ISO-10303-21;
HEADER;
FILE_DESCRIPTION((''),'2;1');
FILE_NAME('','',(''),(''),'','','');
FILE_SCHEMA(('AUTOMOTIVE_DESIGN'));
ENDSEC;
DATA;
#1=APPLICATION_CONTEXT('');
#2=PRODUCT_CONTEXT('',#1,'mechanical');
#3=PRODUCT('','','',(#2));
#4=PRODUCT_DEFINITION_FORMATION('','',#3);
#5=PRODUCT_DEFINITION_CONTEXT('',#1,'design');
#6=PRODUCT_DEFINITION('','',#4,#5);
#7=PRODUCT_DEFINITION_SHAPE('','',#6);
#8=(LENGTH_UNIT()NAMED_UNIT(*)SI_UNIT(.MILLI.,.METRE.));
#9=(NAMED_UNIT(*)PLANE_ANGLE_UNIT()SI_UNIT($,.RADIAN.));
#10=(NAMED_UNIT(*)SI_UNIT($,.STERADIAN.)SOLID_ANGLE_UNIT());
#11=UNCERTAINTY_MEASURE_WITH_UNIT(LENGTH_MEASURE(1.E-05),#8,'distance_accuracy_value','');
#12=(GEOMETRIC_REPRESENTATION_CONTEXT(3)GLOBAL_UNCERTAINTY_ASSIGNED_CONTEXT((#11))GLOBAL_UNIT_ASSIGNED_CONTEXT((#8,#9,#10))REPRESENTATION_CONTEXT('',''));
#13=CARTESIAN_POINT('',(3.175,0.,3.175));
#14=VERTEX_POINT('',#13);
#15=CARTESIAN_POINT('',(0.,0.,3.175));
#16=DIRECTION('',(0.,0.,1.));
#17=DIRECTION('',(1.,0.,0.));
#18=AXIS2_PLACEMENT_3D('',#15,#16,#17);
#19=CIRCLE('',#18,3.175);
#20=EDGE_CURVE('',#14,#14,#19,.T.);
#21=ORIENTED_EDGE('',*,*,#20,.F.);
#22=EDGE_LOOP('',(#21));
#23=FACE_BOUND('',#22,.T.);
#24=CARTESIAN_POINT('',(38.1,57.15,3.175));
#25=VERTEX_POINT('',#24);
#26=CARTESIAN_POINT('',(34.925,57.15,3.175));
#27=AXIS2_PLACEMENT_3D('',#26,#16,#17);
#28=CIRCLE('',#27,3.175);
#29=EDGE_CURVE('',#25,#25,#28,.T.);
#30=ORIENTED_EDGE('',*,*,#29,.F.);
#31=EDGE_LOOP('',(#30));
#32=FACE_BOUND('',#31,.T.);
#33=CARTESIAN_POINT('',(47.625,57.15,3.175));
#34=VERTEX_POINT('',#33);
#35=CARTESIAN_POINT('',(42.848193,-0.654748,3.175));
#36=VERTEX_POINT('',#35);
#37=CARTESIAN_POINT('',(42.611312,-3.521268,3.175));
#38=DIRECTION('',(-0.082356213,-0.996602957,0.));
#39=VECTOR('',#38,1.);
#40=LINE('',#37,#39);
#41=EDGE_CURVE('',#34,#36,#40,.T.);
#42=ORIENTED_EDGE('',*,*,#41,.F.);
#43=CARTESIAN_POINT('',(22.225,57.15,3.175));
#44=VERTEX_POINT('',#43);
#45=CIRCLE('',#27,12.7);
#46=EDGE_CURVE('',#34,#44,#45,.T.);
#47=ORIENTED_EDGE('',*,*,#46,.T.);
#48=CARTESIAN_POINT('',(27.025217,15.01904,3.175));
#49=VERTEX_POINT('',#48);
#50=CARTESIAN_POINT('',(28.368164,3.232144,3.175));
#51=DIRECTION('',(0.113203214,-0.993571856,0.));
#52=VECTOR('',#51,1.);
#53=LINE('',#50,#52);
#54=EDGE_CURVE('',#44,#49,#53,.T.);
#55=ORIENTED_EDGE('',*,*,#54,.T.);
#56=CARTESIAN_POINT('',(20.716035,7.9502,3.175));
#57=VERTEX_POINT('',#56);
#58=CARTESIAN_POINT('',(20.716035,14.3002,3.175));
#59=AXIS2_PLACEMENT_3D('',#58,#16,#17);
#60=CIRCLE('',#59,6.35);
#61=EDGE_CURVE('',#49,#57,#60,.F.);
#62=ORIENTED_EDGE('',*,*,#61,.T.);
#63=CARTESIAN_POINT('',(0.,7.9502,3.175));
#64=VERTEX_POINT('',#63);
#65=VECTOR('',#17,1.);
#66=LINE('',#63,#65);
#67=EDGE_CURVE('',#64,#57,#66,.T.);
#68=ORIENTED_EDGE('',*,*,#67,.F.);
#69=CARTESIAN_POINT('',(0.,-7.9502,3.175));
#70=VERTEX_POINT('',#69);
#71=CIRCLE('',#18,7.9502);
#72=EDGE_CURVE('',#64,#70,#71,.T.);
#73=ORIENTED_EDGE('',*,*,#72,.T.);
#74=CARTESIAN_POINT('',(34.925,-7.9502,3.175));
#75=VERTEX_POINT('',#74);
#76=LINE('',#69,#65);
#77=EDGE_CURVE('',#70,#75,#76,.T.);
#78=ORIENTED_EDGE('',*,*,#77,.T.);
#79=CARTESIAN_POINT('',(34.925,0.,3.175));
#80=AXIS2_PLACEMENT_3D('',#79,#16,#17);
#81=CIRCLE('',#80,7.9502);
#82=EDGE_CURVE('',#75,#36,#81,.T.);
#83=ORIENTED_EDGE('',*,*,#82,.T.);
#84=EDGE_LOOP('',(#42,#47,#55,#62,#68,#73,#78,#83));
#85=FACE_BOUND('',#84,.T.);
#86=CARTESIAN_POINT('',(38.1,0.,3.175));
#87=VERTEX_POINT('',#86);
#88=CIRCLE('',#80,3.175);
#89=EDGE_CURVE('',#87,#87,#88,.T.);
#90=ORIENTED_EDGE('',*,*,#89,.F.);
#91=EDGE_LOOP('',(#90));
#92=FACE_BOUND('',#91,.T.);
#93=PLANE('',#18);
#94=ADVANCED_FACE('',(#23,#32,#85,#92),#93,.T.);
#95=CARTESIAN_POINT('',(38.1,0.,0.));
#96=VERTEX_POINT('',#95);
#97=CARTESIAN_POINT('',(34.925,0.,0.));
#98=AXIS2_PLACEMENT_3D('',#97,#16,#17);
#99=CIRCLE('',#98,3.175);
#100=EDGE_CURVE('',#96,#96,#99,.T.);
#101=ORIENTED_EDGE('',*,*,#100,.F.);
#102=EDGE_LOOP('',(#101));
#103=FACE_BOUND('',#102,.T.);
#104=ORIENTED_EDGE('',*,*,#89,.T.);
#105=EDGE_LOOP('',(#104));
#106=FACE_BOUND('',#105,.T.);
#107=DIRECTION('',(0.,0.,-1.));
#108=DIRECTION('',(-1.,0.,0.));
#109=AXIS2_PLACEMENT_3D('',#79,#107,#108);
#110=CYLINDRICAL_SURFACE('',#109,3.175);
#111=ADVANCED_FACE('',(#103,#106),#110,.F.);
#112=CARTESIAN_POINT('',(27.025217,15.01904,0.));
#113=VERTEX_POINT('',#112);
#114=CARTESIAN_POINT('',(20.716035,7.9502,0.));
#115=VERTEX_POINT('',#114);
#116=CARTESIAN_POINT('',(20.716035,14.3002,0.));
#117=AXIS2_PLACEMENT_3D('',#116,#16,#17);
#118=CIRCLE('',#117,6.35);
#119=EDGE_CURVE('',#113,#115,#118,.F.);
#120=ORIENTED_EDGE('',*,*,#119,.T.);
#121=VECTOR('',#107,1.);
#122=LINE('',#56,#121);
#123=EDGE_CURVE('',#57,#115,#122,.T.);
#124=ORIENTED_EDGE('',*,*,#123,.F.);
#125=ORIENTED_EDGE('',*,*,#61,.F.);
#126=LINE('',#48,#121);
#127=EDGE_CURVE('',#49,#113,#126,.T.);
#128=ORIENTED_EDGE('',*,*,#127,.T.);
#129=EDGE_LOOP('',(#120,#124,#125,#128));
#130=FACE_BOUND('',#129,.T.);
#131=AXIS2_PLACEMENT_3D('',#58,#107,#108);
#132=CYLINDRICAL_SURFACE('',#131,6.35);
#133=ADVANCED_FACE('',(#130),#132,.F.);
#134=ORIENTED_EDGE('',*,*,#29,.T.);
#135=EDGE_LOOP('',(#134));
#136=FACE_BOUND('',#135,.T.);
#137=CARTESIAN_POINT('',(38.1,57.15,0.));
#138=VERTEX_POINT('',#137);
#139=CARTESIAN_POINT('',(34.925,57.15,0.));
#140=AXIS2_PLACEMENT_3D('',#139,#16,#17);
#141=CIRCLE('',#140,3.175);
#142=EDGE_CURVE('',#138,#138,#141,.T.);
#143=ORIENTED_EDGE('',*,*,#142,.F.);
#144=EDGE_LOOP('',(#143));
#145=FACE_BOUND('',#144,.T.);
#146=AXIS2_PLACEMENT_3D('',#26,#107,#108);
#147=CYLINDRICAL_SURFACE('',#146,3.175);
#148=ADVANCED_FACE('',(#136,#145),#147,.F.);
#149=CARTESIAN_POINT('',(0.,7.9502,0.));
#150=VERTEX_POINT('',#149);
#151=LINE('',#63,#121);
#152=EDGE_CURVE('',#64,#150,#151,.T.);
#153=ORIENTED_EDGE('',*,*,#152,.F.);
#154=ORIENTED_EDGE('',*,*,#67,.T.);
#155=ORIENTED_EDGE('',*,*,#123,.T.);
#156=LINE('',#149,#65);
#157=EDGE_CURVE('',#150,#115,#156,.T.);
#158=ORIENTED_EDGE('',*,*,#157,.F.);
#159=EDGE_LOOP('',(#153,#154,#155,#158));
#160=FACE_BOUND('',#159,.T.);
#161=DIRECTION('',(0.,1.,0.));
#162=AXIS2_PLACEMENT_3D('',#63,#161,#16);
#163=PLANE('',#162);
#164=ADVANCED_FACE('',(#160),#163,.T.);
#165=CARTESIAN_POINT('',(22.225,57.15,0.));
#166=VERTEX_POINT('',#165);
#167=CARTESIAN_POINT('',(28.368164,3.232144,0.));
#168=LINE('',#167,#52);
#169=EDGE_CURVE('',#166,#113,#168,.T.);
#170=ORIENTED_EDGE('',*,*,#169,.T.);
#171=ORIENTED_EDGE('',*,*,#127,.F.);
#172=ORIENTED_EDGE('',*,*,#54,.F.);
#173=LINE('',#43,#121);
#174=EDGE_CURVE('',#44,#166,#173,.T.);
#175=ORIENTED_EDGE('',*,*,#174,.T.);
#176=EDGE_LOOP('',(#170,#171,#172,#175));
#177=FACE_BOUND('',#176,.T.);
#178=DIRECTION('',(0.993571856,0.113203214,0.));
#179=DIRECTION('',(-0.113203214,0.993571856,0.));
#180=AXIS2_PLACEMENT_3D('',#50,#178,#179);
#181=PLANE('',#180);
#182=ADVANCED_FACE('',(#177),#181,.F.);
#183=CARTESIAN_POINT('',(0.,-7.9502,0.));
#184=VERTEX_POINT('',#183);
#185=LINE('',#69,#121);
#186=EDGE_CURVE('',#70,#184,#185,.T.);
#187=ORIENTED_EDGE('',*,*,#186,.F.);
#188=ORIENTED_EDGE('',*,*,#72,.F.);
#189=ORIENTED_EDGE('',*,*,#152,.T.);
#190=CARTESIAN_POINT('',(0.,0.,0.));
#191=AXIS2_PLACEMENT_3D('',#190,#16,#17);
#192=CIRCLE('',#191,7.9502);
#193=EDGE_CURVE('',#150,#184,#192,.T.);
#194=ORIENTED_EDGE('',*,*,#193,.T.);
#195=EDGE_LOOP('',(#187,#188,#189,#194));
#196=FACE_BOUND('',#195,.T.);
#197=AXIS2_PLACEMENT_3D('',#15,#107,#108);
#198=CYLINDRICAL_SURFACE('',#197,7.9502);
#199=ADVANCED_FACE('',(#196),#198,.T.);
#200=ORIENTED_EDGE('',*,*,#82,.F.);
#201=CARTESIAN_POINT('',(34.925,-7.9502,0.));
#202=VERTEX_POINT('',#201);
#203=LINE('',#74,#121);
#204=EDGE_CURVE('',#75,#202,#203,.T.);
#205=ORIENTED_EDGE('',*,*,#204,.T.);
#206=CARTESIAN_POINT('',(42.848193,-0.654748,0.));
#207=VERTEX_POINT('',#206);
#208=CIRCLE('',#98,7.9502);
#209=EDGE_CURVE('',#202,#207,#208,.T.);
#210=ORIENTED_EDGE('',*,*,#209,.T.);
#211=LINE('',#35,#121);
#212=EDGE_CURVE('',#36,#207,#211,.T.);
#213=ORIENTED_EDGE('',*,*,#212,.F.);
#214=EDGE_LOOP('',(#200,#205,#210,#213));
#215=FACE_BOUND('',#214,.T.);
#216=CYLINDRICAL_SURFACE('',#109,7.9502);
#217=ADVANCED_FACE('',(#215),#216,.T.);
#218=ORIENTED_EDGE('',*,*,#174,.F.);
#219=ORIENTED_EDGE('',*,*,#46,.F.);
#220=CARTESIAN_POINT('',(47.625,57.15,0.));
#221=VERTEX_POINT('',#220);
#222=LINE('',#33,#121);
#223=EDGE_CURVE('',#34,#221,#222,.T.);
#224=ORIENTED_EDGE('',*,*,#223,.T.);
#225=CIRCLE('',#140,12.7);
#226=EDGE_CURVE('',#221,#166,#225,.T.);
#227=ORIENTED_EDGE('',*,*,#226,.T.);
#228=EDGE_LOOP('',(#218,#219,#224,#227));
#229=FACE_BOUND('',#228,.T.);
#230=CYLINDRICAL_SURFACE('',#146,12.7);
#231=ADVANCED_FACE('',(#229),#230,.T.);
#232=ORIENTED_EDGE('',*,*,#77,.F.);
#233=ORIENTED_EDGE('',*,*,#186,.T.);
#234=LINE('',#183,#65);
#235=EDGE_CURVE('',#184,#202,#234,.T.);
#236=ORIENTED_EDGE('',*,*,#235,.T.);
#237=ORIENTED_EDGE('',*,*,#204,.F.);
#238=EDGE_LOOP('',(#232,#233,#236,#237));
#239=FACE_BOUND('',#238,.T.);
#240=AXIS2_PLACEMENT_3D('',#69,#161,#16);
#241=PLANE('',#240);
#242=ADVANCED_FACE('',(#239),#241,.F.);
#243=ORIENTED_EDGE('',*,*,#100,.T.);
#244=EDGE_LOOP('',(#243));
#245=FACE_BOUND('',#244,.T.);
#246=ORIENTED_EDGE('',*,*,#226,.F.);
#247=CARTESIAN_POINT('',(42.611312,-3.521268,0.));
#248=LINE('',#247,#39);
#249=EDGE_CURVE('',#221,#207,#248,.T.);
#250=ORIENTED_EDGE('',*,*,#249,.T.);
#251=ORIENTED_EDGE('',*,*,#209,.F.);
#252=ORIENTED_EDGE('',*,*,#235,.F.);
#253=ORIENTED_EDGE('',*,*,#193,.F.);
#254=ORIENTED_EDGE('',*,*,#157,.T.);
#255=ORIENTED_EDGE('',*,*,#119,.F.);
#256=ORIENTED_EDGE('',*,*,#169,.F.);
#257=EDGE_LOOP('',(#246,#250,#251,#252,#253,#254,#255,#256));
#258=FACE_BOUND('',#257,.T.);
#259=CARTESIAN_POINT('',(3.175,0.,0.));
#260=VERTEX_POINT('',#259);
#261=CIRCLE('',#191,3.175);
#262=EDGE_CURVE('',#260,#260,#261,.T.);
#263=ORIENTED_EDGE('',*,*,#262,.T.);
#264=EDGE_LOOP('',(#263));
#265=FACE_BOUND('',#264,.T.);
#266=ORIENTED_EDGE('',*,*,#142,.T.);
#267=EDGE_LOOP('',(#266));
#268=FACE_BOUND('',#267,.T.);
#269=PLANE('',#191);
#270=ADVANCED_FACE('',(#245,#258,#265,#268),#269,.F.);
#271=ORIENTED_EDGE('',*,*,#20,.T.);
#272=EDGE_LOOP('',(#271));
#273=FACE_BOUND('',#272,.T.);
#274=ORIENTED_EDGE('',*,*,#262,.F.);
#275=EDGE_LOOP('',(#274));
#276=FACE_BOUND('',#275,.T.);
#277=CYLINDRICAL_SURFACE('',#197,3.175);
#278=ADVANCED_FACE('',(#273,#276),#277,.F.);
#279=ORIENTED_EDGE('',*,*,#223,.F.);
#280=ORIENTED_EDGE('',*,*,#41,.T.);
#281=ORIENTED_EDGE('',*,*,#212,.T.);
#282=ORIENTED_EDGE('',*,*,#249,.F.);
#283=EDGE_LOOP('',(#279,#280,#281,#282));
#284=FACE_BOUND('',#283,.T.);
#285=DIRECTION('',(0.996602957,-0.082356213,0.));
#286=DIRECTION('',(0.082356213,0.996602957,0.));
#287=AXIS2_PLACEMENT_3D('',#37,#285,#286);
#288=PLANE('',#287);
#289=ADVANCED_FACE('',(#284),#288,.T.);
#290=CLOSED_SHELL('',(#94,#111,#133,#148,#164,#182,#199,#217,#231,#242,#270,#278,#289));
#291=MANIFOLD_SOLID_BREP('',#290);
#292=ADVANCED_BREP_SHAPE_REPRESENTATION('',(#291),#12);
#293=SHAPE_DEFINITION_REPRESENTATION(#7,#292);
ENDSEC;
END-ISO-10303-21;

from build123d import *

# Parameters (mm, degrees)
SKETCH1_R           = 3.175
BOSS_EXTRUDE1_DEPTH = 3.175


with BuildPart() as part:
    # Sketch1 → Boss-Extrude1 (new body)
    with BuildSketch(Plane.XY):
        with BuildLine():
            Line((20.716035226, 7.9502), (0, 7.9502))
            ThreePointArc((0, 7.9502), (-7.9502, 0), (0, -7.9502))
            Line((0, -7.9502), (34.925, -7.9502))
            ThreePointArc((34.925, -7.9502), (40.310178716, -5.848549413), (42.84819283, -0.654748362))
            Line((42.84819283, -0.654748362), (47.452723337, 55.065258294))
            Line((47.452723337, 55.065258294), (47.625, 57.15))
            ThreePointArc((47.625, 57.15), (34.925, 69.85), (22.225, 57.15))
            Line((22.225, 57.15), (22.550500177, 54.29312161))
            Line((22.550500177, 54.29312161), (27.02521651, 15.019040407))
            ThreePointArc((27.02521651, 15.019040407), (25.453499558, 10.071851421), (20.716035226, 7.9502))
        make_face()
        Circle(SKETCH1_R, mode=Mode.SUBTRACT)
        with Locations((34.925, 0)):
            Circle(SKETCH1_R, mode=Mode.SUBTRACT)
        with Locations((34.925, 57.15)):
            Circle(SKETCH1_R, mode=Mode.SUBTRACT)
    extrude(amount=BOSS_EXTRUDE1_DEPTH)


solid = part.part
